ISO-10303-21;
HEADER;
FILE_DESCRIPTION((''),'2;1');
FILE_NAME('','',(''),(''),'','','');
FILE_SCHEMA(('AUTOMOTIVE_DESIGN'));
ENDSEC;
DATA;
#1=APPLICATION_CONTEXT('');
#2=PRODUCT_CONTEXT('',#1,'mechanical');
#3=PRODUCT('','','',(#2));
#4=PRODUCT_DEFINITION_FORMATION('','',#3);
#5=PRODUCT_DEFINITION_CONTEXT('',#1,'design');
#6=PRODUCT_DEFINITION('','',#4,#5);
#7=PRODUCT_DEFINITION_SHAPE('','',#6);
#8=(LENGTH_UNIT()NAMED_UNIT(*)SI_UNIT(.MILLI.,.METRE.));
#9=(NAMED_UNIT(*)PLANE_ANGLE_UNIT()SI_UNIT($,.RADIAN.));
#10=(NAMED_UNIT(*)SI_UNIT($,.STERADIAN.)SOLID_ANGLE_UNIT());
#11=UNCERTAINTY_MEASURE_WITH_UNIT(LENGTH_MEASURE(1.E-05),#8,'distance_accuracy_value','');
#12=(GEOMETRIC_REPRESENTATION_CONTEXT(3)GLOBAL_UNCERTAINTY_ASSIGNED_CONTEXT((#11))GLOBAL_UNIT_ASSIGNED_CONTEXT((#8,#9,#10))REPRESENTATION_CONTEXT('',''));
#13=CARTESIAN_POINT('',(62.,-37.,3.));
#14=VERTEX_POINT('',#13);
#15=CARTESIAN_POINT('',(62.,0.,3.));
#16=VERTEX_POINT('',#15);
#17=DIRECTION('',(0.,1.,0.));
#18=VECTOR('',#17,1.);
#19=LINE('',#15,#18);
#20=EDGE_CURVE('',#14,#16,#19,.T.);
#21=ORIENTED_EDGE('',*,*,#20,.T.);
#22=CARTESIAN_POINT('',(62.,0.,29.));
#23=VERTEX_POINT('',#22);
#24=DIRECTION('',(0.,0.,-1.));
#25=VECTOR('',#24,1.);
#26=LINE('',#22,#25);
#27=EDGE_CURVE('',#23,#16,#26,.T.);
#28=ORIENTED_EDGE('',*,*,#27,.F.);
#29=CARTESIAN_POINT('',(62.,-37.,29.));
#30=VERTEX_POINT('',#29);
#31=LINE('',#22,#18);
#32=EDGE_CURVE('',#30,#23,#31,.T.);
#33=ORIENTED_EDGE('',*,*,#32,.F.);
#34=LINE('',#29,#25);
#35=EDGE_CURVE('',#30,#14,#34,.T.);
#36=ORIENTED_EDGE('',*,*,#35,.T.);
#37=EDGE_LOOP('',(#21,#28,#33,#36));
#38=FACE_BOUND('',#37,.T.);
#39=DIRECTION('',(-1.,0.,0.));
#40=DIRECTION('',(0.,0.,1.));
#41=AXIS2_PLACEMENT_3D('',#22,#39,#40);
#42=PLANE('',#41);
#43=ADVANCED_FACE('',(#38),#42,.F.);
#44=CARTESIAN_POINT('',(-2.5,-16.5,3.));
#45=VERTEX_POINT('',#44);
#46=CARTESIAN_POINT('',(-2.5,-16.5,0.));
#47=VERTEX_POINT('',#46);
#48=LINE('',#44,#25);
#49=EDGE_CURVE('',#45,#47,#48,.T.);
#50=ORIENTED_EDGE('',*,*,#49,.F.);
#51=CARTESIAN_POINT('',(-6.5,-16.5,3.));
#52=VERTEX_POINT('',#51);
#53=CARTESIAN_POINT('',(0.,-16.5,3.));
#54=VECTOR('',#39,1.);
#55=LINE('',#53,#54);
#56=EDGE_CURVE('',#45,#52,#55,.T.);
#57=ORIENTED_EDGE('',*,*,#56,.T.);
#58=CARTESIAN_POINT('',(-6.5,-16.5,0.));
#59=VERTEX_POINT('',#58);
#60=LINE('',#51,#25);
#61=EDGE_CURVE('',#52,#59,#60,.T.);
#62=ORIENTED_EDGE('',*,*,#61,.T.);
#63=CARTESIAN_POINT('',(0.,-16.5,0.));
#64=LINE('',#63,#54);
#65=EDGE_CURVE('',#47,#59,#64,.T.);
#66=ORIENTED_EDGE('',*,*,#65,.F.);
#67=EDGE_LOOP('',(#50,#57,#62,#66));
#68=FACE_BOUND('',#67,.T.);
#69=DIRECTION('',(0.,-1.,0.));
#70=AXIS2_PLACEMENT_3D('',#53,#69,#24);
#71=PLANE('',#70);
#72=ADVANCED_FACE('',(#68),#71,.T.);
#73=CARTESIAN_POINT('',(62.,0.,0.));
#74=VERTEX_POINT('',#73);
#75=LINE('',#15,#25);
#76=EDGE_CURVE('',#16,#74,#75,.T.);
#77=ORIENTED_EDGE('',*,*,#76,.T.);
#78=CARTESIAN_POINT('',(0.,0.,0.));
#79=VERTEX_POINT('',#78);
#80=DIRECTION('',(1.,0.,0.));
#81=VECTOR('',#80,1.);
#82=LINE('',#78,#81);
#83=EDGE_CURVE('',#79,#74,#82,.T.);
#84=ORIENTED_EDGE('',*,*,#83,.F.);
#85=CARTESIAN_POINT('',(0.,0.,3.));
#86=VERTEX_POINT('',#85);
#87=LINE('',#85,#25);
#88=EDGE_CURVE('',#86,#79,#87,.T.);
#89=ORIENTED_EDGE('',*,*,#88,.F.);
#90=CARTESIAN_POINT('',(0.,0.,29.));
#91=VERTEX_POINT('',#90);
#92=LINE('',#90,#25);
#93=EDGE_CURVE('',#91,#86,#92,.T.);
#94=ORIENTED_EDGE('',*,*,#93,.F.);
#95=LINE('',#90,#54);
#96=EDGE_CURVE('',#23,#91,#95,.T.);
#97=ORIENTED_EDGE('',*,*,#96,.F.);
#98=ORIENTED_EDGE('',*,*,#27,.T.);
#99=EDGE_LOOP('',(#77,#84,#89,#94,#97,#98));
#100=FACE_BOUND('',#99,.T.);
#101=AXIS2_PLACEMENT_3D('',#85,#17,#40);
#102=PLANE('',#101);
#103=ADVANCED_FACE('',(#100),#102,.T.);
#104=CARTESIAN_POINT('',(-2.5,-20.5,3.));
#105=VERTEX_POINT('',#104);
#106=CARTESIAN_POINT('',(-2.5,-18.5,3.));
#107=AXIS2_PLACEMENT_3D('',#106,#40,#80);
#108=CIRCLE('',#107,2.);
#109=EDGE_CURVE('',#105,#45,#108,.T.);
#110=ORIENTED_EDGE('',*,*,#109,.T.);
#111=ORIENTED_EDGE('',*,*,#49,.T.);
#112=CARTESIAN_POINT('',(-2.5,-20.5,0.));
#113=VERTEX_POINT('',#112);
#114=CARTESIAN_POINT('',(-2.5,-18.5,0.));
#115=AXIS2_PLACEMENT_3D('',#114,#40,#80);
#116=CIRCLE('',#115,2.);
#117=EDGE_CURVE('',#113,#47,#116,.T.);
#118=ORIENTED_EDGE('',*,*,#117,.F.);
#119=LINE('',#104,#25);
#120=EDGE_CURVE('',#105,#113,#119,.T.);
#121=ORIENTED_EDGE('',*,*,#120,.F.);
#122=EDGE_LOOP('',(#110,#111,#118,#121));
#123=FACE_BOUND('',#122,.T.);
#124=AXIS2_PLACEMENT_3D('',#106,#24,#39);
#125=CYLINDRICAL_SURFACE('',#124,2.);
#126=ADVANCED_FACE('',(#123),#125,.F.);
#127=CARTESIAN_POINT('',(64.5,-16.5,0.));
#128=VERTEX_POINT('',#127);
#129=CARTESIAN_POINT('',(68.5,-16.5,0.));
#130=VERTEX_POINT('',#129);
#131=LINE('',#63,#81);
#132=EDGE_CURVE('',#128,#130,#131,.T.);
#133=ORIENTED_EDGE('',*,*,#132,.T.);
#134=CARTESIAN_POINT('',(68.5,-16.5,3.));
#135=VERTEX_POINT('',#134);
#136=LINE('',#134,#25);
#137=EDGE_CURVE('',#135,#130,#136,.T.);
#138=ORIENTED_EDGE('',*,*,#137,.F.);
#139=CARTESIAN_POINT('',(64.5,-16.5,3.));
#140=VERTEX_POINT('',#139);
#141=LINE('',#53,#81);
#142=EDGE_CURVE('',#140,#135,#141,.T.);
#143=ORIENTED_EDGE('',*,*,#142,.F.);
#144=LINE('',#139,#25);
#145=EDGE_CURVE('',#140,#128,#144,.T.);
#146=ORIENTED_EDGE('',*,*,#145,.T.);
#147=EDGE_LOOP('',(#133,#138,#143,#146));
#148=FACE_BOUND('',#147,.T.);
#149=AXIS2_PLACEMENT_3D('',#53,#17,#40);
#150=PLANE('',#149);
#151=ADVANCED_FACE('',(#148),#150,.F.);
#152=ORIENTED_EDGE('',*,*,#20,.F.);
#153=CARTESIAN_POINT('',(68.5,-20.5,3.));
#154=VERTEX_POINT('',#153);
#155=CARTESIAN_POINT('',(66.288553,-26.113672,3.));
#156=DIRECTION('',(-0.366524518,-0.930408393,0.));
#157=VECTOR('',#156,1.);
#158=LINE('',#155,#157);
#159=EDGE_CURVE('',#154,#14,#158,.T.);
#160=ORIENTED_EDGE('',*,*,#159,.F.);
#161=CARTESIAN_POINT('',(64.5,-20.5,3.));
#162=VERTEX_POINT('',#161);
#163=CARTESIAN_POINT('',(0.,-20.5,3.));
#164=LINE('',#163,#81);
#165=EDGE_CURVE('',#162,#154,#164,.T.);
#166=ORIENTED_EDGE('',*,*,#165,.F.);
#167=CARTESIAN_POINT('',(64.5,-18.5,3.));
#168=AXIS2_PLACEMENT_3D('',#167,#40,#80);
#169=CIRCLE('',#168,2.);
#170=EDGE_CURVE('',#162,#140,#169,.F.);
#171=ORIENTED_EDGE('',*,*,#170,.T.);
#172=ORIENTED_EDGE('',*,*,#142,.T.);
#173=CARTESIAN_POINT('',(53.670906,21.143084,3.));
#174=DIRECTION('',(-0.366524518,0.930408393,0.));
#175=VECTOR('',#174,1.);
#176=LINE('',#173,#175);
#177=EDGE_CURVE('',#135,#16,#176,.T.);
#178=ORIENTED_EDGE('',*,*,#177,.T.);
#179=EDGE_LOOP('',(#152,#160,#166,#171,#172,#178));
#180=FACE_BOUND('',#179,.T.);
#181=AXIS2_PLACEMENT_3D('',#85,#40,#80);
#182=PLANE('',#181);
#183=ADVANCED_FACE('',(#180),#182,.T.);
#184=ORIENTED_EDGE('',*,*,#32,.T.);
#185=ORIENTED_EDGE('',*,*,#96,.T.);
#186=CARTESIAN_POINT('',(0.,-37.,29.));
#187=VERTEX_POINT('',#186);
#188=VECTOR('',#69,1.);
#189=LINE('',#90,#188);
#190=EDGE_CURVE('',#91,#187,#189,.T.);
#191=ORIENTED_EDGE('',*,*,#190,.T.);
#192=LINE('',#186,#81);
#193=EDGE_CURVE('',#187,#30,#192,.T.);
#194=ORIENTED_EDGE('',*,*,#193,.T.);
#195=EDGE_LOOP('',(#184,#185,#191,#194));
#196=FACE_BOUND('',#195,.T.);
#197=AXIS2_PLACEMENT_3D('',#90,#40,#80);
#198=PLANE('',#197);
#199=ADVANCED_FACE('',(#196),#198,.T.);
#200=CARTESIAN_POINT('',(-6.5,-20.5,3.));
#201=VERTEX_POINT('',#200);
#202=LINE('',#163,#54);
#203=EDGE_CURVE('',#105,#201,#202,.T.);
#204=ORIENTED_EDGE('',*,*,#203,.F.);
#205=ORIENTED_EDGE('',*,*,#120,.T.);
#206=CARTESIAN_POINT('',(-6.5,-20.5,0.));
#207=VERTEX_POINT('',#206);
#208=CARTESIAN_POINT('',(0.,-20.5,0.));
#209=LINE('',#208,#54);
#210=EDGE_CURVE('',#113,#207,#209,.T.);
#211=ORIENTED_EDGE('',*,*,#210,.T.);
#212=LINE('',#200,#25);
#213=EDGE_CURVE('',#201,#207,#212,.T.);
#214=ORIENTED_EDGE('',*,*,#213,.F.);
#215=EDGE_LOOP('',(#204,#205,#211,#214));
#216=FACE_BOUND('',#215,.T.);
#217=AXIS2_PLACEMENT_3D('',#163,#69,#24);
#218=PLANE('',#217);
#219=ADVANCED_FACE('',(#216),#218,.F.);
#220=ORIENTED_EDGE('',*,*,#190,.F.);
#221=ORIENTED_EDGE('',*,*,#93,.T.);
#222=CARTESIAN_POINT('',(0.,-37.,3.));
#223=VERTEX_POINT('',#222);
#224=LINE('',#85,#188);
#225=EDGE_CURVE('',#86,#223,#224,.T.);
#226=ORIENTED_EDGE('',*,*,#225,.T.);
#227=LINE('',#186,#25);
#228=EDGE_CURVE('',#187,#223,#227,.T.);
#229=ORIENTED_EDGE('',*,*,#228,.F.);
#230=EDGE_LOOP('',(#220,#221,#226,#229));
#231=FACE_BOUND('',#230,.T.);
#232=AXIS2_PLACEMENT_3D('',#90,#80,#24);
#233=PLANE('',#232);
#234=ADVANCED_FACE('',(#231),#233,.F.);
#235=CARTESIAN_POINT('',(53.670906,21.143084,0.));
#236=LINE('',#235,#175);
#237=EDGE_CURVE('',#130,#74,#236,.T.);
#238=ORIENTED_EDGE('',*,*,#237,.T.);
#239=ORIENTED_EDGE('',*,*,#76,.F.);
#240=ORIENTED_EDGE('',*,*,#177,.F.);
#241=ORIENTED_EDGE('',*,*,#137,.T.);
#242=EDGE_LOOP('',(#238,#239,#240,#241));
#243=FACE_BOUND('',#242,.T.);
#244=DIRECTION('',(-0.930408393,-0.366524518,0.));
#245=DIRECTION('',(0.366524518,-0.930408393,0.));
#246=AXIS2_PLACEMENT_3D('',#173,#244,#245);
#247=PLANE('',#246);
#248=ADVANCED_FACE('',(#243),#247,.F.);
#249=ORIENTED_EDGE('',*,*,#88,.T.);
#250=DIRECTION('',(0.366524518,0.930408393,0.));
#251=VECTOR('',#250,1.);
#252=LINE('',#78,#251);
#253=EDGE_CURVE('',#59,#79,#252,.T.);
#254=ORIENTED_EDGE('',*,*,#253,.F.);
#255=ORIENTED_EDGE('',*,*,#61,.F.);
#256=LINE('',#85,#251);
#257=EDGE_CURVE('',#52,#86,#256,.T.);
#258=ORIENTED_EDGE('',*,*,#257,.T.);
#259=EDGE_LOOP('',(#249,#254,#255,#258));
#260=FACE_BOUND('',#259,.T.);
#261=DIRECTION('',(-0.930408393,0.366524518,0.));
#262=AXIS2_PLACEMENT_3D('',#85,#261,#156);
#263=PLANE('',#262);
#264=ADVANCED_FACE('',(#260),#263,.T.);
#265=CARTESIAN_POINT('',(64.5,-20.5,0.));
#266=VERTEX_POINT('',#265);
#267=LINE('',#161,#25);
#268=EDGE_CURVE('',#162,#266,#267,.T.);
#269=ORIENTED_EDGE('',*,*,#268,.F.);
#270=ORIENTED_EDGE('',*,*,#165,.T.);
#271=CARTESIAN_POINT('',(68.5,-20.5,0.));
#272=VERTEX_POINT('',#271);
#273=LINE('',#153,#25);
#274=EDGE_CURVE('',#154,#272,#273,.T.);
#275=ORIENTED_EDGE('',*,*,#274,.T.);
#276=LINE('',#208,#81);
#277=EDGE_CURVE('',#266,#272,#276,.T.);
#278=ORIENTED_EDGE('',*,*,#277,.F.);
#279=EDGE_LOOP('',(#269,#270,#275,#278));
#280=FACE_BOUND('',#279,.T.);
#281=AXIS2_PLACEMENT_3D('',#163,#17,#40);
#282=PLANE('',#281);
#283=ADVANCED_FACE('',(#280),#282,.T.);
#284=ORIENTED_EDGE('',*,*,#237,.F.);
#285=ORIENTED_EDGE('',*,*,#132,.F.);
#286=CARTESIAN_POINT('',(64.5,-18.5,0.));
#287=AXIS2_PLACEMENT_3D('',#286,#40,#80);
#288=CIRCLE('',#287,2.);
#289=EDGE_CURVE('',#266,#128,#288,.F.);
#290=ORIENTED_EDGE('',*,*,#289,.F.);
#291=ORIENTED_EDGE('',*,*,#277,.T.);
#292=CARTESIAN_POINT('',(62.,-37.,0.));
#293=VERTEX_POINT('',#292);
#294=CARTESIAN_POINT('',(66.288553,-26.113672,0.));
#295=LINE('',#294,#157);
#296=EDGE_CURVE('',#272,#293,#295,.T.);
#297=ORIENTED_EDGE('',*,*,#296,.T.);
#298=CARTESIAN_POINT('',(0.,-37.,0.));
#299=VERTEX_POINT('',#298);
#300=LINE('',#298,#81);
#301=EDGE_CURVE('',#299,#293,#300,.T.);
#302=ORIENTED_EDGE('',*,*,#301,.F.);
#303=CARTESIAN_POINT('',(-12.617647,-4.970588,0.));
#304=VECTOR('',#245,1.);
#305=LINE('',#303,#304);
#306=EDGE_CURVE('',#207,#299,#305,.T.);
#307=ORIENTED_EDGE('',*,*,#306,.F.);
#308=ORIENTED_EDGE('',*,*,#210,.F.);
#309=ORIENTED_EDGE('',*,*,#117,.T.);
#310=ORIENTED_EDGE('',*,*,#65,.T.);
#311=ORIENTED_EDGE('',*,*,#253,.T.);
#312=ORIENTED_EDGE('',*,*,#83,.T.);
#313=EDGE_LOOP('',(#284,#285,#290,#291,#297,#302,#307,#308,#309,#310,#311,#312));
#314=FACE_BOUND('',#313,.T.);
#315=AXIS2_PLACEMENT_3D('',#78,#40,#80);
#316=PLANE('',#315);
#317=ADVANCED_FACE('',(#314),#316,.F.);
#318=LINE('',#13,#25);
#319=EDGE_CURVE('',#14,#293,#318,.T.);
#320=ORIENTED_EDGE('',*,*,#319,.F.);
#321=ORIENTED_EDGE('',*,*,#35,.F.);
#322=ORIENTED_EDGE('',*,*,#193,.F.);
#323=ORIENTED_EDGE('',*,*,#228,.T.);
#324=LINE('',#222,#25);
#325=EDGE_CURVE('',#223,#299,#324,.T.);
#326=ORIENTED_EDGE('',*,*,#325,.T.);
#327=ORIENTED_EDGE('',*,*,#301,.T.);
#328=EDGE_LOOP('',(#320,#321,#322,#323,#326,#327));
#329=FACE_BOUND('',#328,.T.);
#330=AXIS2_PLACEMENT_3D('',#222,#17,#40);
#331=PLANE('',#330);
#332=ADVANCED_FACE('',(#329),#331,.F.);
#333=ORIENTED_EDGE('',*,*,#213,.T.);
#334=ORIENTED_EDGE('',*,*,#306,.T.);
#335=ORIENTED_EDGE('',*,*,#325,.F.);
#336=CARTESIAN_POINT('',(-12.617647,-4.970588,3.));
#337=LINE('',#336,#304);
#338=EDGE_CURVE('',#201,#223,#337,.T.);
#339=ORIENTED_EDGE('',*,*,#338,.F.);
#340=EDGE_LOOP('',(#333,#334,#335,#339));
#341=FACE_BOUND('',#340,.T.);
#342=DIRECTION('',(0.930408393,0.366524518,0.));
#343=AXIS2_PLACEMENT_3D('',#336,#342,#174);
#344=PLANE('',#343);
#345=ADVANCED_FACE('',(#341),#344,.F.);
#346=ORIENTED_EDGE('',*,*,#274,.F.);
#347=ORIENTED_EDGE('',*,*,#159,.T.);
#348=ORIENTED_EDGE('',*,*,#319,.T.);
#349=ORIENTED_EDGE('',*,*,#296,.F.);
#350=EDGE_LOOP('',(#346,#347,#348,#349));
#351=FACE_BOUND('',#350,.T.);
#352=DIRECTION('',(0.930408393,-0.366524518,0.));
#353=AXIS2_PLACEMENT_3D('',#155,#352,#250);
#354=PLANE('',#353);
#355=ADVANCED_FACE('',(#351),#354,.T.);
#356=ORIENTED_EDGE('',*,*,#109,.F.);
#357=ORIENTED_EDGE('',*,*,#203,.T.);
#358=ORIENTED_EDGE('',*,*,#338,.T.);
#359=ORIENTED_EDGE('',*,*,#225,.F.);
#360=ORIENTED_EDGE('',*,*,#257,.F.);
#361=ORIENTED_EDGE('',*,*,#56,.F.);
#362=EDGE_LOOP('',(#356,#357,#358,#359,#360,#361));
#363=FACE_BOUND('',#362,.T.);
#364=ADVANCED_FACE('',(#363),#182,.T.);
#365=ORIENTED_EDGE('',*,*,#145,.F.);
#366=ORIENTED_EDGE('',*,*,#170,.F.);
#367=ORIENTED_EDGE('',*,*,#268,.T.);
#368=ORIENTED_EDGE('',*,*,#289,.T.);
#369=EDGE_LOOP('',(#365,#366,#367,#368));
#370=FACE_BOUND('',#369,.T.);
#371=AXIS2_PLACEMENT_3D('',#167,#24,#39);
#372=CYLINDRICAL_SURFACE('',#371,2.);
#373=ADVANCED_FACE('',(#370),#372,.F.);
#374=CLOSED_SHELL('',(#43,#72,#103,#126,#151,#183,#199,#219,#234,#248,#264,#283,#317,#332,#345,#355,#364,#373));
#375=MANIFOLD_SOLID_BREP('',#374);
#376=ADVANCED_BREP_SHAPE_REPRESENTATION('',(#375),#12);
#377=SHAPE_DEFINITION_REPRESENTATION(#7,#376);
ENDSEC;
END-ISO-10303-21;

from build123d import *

# Parameters (mm, degrees)
EXTRUDE_1_DEPTH = 3
SKETCH_2_W      = 62
SKETCH_2_H      = 37
EXTRUDE_2_DEPTH = 26


with BuildPart() as part:
    # 草图1 → 凸台-拉伸1 (new body)
    with BuildSketch(Plane.XY):
        with BuildLine():
            Line((0, 0), (62, 0))
            Line((62, 0), (68.5, -16.5))
            Line((68.5, -16.5), (64.5, -16.5))
            ThreePointArc((64.5, -16.5), (62.5, -18.5), (64.5, -20.5))
            Line((64.5, -20.5), (68.5, -20.5))
            Line((68.5, -20.5), (62, -37))
            Line((62, -37), (0, -37))
            Line((0, -37), (-6.5, -20.5))
            Line((-6.5, -20.5), (-2.5, -20.5))
            ThreePointArc((-2.5, -20.5), (-0.5, -18.5), (-2.5, -16.5))
            Line((-2.5, -16.5), (-6.5, -16.5))
            Line((-6.5, -16.5), (0, 0))
        make_face()
    extrude(amount=EXTRUDE_1_DEPTH)

    # 草图2 → 凸台-拉伸2 (add)
    with BuildSketch(Plane.XY.offset(3)):
        with Locations((31, -18.5)):
            Rectangle(SKETCH_2_W, SKETCH_2_H)
    extrude(amount=EXTRUDE_2_DEPTH)


solid = part.part
